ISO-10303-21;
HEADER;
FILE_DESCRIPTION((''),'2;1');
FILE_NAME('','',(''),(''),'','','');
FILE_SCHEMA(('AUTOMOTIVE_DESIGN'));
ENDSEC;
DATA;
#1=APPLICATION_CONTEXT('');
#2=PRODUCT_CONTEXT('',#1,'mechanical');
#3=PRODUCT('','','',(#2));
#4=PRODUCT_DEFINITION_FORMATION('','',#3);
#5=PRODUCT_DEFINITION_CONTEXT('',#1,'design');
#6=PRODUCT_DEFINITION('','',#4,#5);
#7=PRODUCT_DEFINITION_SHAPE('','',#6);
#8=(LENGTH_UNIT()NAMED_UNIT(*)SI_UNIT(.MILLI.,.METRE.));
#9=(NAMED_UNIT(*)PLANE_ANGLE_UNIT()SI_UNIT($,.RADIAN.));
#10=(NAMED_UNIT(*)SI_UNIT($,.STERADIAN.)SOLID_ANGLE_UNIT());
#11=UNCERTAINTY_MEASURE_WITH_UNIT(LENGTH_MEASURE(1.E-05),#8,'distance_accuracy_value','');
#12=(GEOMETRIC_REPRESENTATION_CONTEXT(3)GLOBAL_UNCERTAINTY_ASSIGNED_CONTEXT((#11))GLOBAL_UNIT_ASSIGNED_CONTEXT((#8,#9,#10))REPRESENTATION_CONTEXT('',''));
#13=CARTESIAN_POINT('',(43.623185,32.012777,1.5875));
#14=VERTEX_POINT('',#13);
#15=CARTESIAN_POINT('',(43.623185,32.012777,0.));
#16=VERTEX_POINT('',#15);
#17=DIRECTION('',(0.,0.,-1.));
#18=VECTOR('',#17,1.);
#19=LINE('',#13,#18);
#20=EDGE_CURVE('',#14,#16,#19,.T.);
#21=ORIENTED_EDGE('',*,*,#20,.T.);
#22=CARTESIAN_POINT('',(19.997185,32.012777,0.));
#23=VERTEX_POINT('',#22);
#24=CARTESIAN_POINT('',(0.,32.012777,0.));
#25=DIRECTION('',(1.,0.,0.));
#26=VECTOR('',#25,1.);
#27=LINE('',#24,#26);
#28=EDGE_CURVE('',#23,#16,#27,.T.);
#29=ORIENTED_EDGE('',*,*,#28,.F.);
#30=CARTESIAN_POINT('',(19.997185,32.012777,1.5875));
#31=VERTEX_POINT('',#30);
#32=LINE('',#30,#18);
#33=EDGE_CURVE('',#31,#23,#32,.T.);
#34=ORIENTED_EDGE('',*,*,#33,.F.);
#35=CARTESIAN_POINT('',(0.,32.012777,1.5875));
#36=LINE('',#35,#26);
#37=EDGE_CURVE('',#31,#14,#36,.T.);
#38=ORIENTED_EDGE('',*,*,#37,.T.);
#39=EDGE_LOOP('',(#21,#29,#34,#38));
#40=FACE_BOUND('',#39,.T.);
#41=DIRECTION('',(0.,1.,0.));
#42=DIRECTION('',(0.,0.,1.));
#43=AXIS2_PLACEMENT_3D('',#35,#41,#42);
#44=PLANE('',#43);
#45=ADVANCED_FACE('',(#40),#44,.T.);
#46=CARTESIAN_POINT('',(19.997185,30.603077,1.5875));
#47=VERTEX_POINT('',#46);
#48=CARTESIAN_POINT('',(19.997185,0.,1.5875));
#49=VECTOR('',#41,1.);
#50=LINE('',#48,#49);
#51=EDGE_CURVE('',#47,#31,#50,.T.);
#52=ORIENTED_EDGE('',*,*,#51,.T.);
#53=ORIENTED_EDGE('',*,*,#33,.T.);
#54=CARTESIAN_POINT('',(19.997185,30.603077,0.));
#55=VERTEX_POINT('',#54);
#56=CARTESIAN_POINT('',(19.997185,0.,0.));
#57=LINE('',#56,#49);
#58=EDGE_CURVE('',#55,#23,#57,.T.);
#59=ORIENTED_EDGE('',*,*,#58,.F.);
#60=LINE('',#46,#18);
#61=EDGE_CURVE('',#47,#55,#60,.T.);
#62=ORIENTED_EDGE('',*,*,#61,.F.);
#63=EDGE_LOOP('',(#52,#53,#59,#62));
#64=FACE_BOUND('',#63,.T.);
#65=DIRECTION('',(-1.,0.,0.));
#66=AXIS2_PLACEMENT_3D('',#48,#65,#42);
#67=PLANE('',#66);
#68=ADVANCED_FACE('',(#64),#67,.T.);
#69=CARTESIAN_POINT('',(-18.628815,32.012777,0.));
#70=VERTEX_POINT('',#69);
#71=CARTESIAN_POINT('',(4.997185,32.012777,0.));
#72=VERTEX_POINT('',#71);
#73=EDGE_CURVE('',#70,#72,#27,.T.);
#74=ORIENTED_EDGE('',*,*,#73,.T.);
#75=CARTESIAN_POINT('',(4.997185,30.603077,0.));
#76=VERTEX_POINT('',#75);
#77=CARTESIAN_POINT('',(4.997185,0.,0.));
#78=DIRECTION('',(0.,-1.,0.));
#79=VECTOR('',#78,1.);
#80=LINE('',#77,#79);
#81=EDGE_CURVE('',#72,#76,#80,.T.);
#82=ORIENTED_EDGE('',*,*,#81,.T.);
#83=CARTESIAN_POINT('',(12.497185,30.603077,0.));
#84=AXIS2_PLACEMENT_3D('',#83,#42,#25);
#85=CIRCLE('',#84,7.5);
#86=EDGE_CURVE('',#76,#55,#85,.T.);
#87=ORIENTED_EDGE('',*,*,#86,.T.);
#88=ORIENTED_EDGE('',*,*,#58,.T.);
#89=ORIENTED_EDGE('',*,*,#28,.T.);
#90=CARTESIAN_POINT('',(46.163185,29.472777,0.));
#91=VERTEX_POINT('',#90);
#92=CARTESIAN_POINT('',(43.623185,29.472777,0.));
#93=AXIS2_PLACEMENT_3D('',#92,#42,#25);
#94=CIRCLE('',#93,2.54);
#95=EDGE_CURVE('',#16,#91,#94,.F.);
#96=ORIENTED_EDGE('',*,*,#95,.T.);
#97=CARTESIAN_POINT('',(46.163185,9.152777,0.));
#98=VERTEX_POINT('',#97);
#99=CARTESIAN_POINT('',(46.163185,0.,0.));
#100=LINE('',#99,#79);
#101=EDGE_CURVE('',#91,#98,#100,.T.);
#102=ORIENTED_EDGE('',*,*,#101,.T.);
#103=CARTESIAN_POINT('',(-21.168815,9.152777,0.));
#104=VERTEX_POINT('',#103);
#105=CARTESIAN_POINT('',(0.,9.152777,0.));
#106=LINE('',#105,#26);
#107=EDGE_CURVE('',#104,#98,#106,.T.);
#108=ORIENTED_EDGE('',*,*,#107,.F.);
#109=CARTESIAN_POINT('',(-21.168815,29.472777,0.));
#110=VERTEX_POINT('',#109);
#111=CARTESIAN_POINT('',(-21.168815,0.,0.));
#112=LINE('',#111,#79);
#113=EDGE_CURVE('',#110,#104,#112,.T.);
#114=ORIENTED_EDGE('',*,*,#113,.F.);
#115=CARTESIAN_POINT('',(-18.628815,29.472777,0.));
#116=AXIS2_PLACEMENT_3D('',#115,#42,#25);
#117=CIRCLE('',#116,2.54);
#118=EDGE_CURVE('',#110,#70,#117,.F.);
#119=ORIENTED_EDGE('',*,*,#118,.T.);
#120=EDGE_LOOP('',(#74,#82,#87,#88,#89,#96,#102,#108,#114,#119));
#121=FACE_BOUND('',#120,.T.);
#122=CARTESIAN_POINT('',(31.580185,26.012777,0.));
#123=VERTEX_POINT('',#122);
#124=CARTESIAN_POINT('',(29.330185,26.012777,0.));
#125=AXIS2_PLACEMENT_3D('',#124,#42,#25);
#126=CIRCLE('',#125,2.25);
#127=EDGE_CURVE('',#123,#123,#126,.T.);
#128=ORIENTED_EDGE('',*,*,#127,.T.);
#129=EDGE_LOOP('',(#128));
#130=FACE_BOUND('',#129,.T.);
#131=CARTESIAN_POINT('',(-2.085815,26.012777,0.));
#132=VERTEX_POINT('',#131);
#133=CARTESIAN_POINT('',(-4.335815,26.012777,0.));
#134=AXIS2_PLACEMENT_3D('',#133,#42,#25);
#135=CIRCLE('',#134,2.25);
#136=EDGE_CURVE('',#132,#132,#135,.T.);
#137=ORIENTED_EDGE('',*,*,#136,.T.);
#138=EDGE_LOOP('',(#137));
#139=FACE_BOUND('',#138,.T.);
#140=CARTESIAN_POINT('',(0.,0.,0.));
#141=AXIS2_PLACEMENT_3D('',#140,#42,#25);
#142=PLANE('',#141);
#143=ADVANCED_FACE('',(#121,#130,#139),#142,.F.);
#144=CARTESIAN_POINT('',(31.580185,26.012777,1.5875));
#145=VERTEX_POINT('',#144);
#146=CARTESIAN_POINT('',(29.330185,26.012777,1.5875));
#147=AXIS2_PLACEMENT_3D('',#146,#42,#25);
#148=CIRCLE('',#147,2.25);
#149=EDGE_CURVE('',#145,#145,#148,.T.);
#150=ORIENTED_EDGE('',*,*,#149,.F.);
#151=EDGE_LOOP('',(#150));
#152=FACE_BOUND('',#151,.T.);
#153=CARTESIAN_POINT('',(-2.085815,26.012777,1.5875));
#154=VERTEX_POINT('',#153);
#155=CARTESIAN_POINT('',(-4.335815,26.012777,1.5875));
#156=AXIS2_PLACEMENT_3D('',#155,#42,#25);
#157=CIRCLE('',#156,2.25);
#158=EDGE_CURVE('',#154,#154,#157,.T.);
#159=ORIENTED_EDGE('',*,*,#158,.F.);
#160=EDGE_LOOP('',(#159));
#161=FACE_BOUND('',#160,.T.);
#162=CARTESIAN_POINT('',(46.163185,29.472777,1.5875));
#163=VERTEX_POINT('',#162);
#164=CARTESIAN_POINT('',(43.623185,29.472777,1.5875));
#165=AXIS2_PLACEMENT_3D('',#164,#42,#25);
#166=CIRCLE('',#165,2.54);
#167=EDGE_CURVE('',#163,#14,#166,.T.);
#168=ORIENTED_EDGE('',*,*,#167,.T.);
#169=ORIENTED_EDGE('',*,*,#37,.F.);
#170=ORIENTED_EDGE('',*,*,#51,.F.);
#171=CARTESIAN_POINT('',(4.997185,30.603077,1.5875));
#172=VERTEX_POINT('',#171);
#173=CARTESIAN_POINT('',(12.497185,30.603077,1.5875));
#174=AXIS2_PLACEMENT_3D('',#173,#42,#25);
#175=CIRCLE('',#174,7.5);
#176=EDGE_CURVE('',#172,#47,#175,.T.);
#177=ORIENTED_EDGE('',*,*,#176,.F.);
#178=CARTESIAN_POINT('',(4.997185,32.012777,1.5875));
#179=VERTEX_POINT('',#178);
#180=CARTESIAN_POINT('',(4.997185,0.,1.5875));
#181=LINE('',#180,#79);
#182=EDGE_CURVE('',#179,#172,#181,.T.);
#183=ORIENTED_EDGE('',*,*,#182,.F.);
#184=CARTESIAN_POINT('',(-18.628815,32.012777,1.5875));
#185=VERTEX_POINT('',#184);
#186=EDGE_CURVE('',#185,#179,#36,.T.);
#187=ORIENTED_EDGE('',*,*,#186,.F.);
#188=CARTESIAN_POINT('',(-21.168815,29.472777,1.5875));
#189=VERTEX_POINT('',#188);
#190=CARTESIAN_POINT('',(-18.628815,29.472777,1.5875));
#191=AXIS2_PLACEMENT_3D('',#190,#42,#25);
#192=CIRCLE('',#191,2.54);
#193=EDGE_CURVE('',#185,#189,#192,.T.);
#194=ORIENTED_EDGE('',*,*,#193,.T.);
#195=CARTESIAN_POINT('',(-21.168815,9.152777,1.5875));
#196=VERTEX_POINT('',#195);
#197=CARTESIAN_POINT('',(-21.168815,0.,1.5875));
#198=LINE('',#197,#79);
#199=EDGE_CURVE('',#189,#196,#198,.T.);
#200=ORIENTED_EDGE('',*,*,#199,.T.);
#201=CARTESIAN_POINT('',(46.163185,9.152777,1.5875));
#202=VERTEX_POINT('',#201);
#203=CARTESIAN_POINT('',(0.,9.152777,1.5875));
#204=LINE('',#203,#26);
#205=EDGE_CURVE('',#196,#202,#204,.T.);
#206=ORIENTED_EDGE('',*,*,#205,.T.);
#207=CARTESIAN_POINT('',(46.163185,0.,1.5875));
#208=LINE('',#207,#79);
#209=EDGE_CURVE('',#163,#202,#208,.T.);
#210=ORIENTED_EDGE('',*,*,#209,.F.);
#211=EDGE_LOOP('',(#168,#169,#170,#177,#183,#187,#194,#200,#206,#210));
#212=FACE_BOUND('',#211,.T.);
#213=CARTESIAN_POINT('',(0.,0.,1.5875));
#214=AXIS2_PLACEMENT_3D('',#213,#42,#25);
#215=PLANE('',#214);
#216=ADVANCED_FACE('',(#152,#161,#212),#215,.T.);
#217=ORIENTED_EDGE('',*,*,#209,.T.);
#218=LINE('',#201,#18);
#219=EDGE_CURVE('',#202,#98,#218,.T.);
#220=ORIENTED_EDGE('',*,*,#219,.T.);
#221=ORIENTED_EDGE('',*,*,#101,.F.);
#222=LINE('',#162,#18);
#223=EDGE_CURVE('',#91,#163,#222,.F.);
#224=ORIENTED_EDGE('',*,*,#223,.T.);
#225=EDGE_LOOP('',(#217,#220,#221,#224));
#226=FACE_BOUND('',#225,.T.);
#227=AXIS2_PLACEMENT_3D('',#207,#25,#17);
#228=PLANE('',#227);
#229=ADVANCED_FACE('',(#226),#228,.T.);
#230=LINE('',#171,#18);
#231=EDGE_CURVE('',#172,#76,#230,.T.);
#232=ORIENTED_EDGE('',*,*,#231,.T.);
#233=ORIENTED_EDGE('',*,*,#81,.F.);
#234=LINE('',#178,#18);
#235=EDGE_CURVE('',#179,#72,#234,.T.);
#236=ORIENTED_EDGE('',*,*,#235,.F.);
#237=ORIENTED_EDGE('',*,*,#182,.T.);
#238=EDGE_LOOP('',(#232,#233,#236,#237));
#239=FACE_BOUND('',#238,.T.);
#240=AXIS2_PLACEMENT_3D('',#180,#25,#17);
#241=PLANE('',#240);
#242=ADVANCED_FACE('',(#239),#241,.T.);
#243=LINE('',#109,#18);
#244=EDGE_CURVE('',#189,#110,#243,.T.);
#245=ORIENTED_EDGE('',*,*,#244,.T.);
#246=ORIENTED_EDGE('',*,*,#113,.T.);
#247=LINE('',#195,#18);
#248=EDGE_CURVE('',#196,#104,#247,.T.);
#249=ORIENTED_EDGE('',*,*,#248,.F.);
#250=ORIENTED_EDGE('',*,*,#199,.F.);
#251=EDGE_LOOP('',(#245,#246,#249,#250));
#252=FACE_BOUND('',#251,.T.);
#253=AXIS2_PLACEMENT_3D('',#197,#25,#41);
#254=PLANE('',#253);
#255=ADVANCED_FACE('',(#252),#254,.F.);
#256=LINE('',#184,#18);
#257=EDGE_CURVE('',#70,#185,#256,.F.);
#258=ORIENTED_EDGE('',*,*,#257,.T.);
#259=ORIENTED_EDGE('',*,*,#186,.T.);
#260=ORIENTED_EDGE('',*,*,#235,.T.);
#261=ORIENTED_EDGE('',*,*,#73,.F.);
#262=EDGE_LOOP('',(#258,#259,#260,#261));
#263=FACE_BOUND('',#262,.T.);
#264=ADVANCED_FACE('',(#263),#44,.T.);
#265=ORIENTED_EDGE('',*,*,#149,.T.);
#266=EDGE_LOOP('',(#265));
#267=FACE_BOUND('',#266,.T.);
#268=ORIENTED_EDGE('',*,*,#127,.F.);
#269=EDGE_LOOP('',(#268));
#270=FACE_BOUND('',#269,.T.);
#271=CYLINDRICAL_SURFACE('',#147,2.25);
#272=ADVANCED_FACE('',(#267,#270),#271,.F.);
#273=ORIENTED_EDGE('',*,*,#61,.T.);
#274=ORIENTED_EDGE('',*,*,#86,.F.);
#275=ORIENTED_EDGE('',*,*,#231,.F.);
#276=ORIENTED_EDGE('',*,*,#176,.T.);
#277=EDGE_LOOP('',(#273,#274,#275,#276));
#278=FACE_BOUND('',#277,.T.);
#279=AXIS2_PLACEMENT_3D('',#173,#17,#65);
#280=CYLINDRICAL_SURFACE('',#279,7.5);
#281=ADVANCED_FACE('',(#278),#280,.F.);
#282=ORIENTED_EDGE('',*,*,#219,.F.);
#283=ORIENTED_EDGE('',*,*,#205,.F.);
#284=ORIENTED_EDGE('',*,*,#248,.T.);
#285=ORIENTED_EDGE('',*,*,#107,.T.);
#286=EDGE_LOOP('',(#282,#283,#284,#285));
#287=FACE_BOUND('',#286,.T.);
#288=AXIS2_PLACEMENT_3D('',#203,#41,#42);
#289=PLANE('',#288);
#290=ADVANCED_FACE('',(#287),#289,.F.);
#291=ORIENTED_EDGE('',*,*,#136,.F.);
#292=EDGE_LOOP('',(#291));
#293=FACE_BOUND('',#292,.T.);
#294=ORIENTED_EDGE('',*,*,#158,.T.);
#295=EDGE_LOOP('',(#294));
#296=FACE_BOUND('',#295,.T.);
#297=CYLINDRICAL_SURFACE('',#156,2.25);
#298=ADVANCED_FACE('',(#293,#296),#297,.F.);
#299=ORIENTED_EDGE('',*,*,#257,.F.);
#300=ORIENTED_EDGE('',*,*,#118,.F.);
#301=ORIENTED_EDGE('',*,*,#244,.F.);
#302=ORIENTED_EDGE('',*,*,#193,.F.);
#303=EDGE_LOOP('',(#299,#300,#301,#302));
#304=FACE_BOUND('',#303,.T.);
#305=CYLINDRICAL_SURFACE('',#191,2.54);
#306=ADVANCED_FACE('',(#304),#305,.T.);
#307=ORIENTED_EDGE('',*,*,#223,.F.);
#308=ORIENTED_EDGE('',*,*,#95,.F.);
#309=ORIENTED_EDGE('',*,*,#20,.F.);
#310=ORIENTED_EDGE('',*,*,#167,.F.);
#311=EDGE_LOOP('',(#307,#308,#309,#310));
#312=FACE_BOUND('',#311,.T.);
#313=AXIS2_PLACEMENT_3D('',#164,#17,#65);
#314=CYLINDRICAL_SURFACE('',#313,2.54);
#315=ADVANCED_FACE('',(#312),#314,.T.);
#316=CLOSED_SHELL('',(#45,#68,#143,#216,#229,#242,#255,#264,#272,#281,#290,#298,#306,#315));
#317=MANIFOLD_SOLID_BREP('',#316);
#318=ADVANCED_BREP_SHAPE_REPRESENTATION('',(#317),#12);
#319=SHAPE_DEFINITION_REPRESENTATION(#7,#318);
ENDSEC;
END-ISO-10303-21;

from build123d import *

# Parameters (mm, degrees)
BOSS_EXTRUDE1_DEPTH  = 1.5875
M4_CLEARANCE_HOLE1_D = 4.5
FILLET1_R            = 2.54


with BuildPart() as part:
    # Sketch1 → Boss-Extrude1 (new body)
    with BuildSketch(Plane.XY):
        with BuildLine():
            Line((4.9971849, 32.012776561), (-21.1688151, 32.012776561))
            Line((-21.1688151, 32.012776561), (-21.1688151, 9.152776561))
            Line((-21.1688151, 9.152776561), (46.1631849, 9.152776561))
            Line((46.1631849, 9.152776561), (46.1631849, 32.012776561))
            Line((46.1631849, 32.012776561), (19.9971849, 32.012776561))
            Line((19.9971849, 32.012776561), (19.9971849, 30.603076561))
            ThreePointArc((19.9971849, 30.603076561), (12.4971849, 23.103076561), (4.9971849, 30.603076561))
            Line((4.9971849, 30.603076561), (4.9971849, 32.012776561))
        make_face()
    extrude(amount=BOSS_EXTRUDE1_DEPTH)

    # M4 Clearance Hole1 (through all)
    with Locations(Plane.XY.offset(1.5875)):
        with Locations((-4.3358151, 26.012776561), (29.3301849, 26.012776561)):
            Hole(M4_CLEARANCE_HOLE1_D / 2)

    # Fillet1
    fillet1_edges = [part.edges().sort_by_distance(p)[0] for p in [
        (46.1631849, 32.012776561, 0.79375),
        (-21.1688151, 32.012776561, 0.79375),
    ]]
    fillet(fillet1_edges, radius=FILLET1_R)


solid = part.part
